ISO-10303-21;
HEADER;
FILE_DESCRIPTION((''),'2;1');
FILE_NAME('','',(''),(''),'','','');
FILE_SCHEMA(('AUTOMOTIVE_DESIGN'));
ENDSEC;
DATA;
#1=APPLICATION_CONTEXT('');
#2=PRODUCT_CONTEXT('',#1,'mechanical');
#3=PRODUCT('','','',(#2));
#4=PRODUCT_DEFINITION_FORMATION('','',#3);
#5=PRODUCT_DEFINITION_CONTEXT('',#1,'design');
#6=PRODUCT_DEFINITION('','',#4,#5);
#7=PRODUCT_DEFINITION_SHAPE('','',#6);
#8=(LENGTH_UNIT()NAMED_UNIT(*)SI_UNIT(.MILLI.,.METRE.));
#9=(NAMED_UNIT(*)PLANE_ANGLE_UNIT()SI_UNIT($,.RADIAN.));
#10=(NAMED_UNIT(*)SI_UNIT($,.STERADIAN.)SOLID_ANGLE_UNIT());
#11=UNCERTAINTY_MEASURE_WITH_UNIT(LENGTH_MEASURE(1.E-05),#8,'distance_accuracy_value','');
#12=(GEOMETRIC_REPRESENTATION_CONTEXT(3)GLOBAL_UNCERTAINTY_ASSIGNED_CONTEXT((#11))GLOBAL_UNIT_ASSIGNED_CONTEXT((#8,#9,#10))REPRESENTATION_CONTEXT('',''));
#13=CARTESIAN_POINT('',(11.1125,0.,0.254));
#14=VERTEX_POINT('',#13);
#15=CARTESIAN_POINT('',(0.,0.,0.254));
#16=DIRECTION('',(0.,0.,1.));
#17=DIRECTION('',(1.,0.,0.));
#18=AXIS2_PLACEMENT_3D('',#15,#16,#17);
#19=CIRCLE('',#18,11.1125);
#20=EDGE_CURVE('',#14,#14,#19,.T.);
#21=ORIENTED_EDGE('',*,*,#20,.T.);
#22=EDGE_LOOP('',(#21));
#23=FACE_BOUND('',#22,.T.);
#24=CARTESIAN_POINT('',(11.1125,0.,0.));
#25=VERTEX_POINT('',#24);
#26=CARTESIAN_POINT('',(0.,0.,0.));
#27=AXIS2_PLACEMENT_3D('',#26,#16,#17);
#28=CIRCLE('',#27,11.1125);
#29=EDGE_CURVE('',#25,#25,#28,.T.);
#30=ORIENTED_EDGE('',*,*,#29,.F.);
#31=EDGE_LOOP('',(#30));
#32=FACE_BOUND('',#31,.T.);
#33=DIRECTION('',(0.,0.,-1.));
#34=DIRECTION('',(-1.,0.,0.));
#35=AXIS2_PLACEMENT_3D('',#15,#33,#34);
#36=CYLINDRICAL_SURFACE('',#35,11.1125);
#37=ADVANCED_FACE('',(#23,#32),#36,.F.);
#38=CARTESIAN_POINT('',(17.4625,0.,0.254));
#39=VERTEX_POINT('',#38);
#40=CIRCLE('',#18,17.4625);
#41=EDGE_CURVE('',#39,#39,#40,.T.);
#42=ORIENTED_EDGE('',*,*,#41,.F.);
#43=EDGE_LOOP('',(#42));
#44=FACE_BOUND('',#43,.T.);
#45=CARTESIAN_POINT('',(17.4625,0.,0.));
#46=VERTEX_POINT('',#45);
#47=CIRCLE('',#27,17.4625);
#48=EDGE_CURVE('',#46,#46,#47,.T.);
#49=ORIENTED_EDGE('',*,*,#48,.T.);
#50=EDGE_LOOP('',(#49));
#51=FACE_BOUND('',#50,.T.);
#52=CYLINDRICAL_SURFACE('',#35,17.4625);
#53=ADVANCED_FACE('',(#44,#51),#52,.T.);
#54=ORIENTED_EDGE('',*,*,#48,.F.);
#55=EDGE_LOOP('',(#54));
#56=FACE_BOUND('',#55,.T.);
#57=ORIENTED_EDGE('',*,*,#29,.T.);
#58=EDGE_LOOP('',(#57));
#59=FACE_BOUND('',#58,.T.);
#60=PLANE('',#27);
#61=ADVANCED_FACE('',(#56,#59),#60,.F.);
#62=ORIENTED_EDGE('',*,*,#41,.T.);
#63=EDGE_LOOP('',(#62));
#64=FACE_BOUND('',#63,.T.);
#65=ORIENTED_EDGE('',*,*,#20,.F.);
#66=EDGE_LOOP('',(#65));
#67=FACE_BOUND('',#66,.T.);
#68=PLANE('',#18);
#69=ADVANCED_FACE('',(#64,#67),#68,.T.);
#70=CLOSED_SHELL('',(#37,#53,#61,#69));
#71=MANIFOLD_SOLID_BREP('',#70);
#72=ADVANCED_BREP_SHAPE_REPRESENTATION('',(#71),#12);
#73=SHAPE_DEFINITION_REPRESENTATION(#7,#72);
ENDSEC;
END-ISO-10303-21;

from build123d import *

# Parameters (mm, degrees)
SKETCH1_R           = 17.4625
SKETCH1_R_2         = 11.1125
BOSS_EXTRUDE1_DEPTH = 0.254


with BuildPart() as part:
    # Sketch1 → Boss-Extrude1 (new body)
    with BuildSketch(Plane.XY):
        Circle(SKETCH1_R)
        Circle(SKETCH1_R_2, mode=Mode.SUBTRACT)
    extrude(amount=BOSS_EXTRUDE1_DEPTH)


solid = part.part
